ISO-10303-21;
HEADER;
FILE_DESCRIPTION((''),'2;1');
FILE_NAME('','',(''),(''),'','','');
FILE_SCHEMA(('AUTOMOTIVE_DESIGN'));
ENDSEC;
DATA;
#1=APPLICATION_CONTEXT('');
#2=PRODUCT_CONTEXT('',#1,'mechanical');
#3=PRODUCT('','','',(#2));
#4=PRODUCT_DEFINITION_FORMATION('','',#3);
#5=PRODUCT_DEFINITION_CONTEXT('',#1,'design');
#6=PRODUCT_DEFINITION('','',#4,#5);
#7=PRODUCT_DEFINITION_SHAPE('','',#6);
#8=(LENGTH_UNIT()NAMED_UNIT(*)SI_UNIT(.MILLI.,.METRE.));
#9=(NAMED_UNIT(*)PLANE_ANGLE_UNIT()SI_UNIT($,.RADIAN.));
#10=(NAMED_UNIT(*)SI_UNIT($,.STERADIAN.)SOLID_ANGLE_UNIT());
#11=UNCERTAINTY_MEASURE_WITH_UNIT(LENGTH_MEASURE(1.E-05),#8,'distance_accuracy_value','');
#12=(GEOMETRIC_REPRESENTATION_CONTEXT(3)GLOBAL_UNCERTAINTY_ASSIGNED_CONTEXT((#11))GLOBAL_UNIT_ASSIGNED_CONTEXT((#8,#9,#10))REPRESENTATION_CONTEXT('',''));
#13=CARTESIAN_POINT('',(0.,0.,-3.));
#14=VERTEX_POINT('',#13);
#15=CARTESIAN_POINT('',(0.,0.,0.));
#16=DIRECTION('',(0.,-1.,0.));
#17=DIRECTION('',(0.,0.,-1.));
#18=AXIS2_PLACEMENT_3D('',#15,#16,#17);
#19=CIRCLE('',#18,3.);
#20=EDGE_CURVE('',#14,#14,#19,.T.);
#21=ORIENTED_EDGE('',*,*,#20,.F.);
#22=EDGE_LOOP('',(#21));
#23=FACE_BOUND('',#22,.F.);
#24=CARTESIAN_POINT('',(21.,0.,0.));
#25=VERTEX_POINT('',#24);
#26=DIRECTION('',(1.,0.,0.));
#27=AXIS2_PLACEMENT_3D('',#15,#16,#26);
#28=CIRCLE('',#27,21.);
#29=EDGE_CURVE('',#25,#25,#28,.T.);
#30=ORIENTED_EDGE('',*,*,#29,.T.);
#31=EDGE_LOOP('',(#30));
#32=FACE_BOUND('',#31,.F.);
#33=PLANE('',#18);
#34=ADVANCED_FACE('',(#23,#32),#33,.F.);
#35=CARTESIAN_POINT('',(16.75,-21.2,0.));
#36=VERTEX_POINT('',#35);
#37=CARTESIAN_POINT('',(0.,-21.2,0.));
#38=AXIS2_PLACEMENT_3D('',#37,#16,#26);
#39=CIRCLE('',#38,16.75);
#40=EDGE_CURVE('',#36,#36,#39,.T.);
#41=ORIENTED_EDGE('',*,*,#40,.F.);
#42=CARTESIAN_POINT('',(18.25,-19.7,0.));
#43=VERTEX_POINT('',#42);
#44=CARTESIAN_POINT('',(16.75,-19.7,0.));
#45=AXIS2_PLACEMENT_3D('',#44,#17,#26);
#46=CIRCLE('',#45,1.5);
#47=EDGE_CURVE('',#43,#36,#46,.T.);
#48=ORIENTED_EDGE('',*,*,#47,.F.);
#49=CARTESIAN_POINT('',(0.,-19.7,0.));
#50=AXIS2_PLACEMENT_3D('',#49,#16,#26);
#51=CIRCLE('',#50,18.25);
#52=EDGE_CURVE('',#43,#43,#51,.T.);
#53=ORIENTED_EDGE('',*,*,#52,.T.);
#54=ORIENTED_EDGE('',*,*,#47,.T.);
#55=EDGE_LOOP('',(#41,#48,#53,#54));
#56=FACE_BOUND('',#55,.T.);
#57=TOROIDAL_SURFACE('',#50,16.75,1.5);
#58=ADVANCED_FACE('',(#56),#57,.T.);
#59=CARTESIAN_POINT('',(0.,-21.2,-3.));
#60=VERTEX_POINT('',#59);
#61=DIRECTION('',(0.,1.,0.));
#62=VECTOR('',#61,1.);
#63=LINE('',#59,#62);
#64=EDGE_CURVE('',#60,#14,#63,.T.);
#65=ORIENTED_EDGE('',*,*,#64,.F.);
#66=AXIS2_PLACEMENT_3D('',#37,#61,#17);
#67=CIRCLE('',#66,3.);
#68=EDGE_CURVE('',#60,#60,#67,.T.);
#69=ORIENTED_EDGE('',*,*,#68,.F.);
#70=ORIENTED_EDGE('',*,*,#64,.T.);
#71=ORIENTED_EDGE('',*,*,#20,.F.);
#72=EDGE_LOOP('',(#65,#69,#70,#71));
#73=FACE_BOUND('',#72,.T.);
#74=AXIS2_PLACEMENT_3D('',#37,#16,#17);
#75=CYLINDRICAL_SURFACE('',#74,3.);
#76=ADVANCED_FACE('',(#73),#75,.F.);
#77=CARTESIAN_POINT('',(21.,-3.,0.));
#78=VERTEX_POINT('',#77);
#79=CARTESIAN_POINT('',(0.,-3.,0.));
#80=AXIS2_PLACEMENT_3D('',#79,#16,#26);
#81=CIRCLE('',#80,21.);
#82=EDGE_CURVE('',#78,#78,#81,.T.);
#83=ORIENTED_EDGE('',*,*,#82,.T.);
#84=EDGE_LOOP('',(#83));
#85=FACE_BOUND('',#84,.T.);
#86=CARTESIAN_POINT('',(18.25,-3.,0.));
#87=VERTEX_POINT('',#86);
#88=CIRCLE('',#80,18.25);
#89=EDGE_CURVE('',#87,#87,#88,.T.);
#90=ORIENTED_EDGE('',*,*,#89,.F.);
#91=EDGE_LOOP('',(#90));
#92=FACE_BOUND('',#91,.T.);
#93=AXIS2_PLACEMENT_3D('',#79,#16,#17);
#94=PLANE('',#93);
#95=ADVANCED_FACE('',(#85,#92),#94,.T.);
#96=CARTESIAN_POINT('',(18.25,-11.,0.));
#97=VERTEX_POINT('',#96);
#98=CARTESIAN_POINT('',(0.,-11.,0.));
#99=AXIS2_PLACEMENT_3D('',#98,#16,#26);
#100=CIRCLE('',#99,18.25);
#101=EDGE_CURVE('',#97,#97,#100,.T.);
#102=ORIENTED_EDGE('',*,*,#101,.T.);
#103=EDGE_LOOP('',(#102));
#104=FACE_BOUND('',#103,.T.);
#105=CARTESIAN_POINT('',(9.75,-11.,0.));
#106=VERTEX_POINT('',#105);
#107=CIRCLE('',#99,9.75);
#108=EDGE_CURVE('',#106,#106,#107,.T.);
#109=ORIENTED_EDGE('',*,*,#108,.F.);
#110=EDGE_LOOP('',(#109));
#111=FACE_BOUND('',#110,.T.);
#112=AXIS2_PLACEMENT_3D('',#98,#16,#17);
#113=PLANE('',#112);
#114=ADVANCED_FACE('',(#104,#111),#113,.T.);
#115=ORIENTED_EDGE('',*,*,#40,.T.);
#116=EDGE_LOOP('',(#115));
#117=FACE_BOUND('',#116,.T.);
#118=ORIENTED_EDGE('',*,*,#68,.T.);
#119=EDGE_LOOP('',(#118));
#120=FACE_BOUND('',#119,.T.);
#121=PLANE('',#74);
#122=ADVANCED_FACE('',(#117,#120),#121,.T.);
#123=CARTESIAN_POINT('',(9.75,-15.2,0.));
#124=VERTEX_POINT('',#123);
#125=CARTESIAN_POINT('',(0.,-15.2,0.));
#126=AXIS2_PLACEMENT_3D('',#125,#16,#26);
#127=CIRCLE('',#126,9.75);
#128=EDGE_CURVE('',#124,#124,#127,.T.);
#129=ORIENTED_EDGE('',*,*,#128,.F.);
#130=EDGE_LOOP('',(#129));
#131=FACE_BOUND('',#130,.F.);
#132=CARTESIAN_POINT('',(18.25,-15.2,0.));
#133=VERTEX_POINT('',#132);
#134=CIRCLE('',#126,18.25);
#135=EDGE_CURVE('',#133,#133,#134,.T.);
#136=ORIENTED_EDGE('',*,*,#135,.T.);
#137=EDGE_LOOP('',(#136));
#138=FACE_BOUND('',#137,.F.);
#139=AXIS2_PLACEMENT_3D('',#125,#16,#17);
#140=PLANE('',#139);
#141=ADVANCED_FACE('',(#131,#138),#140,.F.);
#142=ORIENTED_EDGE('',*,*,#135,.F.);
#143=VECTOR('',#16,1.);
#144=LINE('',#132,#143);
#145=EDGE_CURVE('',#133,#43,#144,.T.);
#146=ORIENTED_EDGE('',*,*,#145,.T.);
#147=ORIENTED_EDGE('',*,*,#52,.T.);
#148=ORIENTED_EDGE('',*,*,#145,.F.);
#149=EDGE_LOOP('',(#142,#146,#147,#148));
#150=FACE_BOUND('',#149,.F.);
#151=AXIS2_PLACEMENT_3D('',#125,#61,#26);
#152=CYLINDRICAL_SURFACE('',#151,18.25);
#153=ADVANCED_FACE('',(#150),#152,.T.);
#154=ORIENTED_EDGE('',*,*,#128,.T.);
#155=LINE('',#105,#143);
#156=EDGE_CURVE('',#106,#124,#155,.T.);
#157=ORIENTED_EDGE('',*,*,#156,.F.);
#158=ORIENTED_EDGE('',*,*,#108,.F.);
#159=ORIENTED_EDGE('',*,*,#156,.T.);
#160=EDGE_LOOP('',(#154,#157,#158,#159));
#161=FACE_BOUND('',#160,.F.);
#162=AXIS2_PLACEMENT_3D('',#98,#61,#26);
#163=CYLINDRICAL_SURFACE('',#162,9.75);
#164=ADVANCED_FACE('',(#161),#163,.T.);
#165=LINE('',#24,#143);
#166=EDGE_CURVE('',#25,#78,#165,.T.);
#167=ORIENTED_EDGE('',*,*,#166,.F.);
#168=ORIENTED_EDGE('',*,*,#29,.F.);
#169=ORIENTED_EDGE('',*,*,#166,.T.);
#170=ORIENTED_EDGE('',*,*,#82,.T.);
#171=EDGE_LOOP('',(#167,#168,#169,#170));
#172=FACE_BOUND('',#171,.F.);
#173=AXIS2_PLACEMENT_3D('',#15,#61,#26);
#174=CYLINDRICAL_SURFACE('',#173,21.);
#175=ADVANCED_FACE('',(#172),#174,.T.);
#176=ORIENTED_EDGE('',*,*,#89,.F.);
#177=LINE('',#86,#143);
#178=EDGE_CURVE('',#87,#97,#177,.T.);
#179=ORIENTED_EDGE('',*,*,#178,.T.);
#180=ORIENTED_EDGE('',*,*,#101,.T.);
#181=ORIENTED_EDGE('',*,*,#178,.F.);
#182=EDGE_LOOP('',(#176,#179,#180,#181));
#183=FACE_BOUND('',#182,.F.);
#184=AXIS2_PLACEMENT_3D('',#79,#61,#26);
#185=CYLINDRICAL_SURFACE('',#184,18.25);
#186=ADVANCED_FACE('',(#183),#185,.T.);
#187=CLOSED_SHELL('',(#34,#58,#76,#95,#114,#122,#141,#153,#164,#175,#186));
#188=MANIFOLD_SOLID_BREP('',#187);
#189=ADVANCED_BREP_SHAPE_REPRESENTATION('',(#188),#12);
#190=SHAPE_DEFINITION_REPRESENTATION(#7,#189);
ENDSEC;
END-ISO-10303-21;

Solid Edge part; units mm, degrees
sketch "Sketch1" plane through (0, 0, 0) normal (0, -1, 0) x (1, 0, 0)
  circle A0 centre (0, 0) radius 21
extrude "Extrusionsausprägung_1" add sketch "Sketch1" along normal blind 3
sketch "Sketch2" plane through (0, -3, 0) normal (0, -1, 0) x (1, 0, 0)
  circle A0 centre (0, 0) radius 18.25
extrude "Extrusionsausprägung_2" add sketch "Sketch2" along normal blind 8
sketch "Sketch3" plane through (0, -11, 0) normal (0, -1, 0) x (1, 0, 0)
  circle A0 centre (0, 0) radius 9.75
extrude "Extrusionsausprägung_3" add sketch "Sketch3" along normal blind 4.2
sketch "Sketch4" plane through (0, -15.2, 0) normal (0, -1, 0) x (1, 0, 0)
  circle A0 centre (0, 0) radius 18.25
extrude "Extrusionsausprägung_4" add sketch "Sketch4" along normal blind 6
fillet "Verrundung_1" radius 1.5 1 edges at (-18.25, -21.2, 0)
hole "Bohrung_1" at (0, -21.2, 0) direction (0, 1, 0) diameter 6 end through all
properties material "ABS-Plastik, mittlerer Anschlag"
